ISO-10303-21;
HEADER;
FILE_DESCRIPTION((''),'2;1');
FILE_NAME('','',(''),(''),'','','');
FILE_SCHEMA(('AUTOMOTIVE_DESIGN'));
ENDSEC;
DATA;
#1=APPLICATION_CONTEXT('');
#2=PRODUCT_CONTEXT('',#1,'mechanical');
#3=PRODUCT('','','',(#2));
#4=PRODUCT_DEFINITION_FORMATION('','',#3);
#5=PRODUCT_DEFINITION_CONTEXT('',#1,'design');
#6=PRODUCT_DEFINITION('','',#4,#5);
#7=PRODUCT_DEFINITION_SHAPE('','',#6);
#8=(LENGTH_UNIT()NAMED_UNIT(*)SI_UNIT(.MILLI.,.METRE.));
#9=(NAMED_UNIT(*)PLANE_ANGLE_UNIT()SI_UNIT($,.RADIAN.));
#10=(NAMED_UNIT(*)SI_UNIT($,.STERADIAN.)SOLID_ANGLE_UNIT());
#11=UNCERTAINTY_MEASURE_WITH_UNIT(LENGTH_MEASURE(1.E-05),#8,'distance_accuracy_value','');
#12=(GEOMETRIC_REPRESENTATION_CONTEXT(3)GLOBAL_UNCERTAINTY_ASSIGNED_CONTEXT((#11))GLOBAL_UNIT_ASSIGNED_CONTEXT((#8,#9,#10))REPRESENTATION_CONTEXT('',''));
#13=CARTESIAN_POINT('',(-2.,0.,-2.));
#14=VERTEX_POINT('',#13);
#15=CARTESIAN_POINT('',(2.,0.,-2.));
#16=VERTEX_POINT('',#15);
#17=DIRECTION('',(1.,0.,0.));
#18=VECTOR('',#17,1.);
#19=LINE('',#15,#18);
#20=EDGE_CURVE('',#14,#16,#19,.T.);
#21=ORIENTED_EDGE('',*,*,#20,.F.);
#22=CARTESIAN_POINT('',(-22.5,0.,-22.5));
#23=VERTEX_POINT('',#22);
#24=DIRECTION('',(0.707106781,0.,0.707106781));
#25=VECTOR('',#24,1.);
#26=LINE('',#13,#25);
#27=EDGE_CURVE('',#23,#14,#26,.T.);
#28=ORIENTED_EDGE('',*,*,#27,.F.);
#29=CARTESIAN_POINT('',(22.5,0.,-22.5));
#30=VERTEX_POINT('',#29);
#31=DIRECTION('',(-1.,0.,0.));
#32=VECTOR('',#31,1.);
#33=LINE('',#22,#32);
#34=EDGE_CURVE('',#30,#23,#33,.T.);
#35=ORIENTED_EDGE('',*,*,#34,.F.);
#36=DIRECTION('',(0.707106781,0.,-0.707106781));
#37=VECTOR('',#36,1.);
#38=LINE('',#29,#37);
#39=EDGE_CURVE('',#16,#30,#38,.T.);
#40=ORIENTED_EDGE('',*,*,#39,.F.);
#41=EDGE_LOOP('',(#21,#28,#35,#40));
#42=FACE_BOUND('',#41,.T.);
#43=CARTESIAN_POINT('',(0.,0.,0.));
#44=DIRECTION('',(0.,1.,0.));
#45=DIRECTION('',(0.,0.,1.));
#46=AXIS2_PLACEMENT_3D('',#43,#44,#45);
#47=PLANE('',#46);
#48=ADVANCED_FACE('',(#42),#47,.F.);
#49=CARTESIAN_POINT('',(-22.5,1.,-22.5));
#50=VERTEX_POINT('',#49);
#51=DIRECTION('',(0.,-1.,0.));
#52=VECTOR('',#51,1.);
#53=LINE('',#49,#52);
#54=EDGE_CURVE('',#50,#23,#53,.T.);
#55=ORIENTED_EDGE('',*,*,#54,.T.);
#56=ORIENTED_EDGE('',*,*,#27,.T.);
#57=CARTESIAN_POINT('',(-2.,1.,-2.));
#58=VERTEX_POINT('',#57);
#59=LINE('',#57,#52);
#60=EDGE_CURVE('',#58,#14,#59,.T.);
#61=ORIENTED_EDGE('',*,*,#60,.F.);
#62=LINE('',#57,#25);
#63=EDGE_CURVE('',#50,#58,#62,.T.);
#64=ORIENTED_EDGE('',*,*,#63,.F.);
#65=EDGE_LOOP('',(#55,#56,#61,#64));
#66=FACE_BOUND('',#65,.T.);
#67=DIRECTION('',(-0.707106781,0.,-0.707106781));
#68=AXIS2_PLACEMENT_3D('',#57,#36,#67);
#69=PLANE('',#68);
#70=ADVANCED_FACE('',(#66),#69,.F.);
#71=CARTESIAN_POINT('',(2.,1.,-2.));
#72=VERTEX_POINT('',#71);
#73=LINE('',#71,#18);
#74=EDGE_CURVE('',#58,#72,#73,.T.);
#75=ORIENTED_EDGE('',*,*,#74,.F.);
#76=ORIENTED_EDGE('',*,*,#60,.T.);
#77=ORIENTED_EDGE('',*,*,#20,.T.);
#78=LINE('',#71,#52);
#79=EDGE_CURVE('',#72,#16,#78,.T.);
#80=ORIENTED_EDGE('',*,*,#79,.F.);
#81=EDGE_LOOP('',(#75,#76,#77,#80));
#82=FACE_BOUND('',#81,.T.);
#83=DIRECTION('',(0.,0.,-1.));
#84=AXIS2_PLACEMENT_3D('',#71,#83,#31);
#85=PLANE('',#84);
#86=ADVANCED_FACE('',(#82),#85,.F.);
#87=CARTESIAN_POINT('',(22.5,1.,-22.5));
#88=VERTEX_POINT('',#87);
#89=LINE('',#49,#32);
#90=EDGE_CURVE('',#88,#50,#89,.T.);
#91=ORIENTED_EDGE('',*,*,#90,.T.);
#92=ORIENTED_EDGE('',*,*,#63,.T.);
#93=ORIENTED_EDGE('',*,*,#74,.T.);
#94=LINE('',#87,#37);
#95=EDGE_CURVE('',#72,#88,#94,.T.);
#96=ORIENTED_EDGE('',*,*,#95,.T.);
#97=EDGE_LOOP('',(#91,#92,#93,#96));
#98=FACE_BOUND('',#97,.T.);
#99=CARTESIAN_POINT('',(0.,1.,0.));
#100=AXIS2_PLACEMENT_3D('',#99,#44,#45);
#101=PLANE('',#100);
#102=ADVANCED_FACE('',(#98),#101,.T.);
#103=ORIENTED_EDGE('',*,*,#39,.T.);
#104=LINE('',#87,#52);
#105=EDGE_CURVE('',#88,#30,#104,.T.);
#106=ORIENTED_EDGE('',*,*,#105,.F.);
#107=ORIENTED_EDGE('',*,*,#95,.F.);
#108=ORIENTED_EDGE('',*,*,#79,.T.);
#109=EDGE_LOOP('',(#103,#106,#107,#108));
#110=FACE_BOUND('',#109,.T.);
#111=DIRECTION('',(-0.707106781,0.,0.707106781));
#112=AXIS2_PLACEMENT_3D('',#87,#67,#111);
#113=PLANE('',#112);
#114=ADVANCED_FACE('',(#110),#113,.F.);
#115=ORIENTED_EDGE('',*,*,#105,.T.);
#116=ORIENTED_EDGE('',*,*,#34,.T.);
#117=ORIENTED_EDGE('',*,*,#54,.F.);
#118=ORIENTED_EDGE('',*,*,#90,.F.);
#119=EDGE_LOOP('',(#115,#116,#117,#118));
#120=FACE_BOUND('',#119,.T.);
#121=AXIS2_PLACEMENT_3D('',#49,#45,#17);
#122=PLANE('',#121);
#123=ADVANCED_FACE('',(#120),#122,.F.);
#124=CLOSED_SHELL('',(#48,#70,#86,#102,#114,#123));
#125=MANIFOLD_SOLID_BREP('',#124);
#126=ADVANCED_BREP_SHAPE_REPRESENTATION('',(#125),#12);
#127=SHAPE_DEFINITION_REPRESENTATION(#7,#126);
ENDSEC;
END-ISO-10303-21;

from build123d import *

# Parameters (mm, degrees)
SCREEN_TRIANGLE_DEPTH = 1


with BuildPart() as part:
    # Sketch1 → Screen triangle (new body)
    with BuildSketch(Plane(origin=(0, 0, 0), x_dir=(1, 0, 0), z_dir=(0, 1, 0))):
        Polygon((-22.5, 22.5), (22.5, 22.5), (2, 2), (-2, 2), align=None)
    extrude(amount=SCREEN_TRIANGLE_DEPTH)


solid = part.part
